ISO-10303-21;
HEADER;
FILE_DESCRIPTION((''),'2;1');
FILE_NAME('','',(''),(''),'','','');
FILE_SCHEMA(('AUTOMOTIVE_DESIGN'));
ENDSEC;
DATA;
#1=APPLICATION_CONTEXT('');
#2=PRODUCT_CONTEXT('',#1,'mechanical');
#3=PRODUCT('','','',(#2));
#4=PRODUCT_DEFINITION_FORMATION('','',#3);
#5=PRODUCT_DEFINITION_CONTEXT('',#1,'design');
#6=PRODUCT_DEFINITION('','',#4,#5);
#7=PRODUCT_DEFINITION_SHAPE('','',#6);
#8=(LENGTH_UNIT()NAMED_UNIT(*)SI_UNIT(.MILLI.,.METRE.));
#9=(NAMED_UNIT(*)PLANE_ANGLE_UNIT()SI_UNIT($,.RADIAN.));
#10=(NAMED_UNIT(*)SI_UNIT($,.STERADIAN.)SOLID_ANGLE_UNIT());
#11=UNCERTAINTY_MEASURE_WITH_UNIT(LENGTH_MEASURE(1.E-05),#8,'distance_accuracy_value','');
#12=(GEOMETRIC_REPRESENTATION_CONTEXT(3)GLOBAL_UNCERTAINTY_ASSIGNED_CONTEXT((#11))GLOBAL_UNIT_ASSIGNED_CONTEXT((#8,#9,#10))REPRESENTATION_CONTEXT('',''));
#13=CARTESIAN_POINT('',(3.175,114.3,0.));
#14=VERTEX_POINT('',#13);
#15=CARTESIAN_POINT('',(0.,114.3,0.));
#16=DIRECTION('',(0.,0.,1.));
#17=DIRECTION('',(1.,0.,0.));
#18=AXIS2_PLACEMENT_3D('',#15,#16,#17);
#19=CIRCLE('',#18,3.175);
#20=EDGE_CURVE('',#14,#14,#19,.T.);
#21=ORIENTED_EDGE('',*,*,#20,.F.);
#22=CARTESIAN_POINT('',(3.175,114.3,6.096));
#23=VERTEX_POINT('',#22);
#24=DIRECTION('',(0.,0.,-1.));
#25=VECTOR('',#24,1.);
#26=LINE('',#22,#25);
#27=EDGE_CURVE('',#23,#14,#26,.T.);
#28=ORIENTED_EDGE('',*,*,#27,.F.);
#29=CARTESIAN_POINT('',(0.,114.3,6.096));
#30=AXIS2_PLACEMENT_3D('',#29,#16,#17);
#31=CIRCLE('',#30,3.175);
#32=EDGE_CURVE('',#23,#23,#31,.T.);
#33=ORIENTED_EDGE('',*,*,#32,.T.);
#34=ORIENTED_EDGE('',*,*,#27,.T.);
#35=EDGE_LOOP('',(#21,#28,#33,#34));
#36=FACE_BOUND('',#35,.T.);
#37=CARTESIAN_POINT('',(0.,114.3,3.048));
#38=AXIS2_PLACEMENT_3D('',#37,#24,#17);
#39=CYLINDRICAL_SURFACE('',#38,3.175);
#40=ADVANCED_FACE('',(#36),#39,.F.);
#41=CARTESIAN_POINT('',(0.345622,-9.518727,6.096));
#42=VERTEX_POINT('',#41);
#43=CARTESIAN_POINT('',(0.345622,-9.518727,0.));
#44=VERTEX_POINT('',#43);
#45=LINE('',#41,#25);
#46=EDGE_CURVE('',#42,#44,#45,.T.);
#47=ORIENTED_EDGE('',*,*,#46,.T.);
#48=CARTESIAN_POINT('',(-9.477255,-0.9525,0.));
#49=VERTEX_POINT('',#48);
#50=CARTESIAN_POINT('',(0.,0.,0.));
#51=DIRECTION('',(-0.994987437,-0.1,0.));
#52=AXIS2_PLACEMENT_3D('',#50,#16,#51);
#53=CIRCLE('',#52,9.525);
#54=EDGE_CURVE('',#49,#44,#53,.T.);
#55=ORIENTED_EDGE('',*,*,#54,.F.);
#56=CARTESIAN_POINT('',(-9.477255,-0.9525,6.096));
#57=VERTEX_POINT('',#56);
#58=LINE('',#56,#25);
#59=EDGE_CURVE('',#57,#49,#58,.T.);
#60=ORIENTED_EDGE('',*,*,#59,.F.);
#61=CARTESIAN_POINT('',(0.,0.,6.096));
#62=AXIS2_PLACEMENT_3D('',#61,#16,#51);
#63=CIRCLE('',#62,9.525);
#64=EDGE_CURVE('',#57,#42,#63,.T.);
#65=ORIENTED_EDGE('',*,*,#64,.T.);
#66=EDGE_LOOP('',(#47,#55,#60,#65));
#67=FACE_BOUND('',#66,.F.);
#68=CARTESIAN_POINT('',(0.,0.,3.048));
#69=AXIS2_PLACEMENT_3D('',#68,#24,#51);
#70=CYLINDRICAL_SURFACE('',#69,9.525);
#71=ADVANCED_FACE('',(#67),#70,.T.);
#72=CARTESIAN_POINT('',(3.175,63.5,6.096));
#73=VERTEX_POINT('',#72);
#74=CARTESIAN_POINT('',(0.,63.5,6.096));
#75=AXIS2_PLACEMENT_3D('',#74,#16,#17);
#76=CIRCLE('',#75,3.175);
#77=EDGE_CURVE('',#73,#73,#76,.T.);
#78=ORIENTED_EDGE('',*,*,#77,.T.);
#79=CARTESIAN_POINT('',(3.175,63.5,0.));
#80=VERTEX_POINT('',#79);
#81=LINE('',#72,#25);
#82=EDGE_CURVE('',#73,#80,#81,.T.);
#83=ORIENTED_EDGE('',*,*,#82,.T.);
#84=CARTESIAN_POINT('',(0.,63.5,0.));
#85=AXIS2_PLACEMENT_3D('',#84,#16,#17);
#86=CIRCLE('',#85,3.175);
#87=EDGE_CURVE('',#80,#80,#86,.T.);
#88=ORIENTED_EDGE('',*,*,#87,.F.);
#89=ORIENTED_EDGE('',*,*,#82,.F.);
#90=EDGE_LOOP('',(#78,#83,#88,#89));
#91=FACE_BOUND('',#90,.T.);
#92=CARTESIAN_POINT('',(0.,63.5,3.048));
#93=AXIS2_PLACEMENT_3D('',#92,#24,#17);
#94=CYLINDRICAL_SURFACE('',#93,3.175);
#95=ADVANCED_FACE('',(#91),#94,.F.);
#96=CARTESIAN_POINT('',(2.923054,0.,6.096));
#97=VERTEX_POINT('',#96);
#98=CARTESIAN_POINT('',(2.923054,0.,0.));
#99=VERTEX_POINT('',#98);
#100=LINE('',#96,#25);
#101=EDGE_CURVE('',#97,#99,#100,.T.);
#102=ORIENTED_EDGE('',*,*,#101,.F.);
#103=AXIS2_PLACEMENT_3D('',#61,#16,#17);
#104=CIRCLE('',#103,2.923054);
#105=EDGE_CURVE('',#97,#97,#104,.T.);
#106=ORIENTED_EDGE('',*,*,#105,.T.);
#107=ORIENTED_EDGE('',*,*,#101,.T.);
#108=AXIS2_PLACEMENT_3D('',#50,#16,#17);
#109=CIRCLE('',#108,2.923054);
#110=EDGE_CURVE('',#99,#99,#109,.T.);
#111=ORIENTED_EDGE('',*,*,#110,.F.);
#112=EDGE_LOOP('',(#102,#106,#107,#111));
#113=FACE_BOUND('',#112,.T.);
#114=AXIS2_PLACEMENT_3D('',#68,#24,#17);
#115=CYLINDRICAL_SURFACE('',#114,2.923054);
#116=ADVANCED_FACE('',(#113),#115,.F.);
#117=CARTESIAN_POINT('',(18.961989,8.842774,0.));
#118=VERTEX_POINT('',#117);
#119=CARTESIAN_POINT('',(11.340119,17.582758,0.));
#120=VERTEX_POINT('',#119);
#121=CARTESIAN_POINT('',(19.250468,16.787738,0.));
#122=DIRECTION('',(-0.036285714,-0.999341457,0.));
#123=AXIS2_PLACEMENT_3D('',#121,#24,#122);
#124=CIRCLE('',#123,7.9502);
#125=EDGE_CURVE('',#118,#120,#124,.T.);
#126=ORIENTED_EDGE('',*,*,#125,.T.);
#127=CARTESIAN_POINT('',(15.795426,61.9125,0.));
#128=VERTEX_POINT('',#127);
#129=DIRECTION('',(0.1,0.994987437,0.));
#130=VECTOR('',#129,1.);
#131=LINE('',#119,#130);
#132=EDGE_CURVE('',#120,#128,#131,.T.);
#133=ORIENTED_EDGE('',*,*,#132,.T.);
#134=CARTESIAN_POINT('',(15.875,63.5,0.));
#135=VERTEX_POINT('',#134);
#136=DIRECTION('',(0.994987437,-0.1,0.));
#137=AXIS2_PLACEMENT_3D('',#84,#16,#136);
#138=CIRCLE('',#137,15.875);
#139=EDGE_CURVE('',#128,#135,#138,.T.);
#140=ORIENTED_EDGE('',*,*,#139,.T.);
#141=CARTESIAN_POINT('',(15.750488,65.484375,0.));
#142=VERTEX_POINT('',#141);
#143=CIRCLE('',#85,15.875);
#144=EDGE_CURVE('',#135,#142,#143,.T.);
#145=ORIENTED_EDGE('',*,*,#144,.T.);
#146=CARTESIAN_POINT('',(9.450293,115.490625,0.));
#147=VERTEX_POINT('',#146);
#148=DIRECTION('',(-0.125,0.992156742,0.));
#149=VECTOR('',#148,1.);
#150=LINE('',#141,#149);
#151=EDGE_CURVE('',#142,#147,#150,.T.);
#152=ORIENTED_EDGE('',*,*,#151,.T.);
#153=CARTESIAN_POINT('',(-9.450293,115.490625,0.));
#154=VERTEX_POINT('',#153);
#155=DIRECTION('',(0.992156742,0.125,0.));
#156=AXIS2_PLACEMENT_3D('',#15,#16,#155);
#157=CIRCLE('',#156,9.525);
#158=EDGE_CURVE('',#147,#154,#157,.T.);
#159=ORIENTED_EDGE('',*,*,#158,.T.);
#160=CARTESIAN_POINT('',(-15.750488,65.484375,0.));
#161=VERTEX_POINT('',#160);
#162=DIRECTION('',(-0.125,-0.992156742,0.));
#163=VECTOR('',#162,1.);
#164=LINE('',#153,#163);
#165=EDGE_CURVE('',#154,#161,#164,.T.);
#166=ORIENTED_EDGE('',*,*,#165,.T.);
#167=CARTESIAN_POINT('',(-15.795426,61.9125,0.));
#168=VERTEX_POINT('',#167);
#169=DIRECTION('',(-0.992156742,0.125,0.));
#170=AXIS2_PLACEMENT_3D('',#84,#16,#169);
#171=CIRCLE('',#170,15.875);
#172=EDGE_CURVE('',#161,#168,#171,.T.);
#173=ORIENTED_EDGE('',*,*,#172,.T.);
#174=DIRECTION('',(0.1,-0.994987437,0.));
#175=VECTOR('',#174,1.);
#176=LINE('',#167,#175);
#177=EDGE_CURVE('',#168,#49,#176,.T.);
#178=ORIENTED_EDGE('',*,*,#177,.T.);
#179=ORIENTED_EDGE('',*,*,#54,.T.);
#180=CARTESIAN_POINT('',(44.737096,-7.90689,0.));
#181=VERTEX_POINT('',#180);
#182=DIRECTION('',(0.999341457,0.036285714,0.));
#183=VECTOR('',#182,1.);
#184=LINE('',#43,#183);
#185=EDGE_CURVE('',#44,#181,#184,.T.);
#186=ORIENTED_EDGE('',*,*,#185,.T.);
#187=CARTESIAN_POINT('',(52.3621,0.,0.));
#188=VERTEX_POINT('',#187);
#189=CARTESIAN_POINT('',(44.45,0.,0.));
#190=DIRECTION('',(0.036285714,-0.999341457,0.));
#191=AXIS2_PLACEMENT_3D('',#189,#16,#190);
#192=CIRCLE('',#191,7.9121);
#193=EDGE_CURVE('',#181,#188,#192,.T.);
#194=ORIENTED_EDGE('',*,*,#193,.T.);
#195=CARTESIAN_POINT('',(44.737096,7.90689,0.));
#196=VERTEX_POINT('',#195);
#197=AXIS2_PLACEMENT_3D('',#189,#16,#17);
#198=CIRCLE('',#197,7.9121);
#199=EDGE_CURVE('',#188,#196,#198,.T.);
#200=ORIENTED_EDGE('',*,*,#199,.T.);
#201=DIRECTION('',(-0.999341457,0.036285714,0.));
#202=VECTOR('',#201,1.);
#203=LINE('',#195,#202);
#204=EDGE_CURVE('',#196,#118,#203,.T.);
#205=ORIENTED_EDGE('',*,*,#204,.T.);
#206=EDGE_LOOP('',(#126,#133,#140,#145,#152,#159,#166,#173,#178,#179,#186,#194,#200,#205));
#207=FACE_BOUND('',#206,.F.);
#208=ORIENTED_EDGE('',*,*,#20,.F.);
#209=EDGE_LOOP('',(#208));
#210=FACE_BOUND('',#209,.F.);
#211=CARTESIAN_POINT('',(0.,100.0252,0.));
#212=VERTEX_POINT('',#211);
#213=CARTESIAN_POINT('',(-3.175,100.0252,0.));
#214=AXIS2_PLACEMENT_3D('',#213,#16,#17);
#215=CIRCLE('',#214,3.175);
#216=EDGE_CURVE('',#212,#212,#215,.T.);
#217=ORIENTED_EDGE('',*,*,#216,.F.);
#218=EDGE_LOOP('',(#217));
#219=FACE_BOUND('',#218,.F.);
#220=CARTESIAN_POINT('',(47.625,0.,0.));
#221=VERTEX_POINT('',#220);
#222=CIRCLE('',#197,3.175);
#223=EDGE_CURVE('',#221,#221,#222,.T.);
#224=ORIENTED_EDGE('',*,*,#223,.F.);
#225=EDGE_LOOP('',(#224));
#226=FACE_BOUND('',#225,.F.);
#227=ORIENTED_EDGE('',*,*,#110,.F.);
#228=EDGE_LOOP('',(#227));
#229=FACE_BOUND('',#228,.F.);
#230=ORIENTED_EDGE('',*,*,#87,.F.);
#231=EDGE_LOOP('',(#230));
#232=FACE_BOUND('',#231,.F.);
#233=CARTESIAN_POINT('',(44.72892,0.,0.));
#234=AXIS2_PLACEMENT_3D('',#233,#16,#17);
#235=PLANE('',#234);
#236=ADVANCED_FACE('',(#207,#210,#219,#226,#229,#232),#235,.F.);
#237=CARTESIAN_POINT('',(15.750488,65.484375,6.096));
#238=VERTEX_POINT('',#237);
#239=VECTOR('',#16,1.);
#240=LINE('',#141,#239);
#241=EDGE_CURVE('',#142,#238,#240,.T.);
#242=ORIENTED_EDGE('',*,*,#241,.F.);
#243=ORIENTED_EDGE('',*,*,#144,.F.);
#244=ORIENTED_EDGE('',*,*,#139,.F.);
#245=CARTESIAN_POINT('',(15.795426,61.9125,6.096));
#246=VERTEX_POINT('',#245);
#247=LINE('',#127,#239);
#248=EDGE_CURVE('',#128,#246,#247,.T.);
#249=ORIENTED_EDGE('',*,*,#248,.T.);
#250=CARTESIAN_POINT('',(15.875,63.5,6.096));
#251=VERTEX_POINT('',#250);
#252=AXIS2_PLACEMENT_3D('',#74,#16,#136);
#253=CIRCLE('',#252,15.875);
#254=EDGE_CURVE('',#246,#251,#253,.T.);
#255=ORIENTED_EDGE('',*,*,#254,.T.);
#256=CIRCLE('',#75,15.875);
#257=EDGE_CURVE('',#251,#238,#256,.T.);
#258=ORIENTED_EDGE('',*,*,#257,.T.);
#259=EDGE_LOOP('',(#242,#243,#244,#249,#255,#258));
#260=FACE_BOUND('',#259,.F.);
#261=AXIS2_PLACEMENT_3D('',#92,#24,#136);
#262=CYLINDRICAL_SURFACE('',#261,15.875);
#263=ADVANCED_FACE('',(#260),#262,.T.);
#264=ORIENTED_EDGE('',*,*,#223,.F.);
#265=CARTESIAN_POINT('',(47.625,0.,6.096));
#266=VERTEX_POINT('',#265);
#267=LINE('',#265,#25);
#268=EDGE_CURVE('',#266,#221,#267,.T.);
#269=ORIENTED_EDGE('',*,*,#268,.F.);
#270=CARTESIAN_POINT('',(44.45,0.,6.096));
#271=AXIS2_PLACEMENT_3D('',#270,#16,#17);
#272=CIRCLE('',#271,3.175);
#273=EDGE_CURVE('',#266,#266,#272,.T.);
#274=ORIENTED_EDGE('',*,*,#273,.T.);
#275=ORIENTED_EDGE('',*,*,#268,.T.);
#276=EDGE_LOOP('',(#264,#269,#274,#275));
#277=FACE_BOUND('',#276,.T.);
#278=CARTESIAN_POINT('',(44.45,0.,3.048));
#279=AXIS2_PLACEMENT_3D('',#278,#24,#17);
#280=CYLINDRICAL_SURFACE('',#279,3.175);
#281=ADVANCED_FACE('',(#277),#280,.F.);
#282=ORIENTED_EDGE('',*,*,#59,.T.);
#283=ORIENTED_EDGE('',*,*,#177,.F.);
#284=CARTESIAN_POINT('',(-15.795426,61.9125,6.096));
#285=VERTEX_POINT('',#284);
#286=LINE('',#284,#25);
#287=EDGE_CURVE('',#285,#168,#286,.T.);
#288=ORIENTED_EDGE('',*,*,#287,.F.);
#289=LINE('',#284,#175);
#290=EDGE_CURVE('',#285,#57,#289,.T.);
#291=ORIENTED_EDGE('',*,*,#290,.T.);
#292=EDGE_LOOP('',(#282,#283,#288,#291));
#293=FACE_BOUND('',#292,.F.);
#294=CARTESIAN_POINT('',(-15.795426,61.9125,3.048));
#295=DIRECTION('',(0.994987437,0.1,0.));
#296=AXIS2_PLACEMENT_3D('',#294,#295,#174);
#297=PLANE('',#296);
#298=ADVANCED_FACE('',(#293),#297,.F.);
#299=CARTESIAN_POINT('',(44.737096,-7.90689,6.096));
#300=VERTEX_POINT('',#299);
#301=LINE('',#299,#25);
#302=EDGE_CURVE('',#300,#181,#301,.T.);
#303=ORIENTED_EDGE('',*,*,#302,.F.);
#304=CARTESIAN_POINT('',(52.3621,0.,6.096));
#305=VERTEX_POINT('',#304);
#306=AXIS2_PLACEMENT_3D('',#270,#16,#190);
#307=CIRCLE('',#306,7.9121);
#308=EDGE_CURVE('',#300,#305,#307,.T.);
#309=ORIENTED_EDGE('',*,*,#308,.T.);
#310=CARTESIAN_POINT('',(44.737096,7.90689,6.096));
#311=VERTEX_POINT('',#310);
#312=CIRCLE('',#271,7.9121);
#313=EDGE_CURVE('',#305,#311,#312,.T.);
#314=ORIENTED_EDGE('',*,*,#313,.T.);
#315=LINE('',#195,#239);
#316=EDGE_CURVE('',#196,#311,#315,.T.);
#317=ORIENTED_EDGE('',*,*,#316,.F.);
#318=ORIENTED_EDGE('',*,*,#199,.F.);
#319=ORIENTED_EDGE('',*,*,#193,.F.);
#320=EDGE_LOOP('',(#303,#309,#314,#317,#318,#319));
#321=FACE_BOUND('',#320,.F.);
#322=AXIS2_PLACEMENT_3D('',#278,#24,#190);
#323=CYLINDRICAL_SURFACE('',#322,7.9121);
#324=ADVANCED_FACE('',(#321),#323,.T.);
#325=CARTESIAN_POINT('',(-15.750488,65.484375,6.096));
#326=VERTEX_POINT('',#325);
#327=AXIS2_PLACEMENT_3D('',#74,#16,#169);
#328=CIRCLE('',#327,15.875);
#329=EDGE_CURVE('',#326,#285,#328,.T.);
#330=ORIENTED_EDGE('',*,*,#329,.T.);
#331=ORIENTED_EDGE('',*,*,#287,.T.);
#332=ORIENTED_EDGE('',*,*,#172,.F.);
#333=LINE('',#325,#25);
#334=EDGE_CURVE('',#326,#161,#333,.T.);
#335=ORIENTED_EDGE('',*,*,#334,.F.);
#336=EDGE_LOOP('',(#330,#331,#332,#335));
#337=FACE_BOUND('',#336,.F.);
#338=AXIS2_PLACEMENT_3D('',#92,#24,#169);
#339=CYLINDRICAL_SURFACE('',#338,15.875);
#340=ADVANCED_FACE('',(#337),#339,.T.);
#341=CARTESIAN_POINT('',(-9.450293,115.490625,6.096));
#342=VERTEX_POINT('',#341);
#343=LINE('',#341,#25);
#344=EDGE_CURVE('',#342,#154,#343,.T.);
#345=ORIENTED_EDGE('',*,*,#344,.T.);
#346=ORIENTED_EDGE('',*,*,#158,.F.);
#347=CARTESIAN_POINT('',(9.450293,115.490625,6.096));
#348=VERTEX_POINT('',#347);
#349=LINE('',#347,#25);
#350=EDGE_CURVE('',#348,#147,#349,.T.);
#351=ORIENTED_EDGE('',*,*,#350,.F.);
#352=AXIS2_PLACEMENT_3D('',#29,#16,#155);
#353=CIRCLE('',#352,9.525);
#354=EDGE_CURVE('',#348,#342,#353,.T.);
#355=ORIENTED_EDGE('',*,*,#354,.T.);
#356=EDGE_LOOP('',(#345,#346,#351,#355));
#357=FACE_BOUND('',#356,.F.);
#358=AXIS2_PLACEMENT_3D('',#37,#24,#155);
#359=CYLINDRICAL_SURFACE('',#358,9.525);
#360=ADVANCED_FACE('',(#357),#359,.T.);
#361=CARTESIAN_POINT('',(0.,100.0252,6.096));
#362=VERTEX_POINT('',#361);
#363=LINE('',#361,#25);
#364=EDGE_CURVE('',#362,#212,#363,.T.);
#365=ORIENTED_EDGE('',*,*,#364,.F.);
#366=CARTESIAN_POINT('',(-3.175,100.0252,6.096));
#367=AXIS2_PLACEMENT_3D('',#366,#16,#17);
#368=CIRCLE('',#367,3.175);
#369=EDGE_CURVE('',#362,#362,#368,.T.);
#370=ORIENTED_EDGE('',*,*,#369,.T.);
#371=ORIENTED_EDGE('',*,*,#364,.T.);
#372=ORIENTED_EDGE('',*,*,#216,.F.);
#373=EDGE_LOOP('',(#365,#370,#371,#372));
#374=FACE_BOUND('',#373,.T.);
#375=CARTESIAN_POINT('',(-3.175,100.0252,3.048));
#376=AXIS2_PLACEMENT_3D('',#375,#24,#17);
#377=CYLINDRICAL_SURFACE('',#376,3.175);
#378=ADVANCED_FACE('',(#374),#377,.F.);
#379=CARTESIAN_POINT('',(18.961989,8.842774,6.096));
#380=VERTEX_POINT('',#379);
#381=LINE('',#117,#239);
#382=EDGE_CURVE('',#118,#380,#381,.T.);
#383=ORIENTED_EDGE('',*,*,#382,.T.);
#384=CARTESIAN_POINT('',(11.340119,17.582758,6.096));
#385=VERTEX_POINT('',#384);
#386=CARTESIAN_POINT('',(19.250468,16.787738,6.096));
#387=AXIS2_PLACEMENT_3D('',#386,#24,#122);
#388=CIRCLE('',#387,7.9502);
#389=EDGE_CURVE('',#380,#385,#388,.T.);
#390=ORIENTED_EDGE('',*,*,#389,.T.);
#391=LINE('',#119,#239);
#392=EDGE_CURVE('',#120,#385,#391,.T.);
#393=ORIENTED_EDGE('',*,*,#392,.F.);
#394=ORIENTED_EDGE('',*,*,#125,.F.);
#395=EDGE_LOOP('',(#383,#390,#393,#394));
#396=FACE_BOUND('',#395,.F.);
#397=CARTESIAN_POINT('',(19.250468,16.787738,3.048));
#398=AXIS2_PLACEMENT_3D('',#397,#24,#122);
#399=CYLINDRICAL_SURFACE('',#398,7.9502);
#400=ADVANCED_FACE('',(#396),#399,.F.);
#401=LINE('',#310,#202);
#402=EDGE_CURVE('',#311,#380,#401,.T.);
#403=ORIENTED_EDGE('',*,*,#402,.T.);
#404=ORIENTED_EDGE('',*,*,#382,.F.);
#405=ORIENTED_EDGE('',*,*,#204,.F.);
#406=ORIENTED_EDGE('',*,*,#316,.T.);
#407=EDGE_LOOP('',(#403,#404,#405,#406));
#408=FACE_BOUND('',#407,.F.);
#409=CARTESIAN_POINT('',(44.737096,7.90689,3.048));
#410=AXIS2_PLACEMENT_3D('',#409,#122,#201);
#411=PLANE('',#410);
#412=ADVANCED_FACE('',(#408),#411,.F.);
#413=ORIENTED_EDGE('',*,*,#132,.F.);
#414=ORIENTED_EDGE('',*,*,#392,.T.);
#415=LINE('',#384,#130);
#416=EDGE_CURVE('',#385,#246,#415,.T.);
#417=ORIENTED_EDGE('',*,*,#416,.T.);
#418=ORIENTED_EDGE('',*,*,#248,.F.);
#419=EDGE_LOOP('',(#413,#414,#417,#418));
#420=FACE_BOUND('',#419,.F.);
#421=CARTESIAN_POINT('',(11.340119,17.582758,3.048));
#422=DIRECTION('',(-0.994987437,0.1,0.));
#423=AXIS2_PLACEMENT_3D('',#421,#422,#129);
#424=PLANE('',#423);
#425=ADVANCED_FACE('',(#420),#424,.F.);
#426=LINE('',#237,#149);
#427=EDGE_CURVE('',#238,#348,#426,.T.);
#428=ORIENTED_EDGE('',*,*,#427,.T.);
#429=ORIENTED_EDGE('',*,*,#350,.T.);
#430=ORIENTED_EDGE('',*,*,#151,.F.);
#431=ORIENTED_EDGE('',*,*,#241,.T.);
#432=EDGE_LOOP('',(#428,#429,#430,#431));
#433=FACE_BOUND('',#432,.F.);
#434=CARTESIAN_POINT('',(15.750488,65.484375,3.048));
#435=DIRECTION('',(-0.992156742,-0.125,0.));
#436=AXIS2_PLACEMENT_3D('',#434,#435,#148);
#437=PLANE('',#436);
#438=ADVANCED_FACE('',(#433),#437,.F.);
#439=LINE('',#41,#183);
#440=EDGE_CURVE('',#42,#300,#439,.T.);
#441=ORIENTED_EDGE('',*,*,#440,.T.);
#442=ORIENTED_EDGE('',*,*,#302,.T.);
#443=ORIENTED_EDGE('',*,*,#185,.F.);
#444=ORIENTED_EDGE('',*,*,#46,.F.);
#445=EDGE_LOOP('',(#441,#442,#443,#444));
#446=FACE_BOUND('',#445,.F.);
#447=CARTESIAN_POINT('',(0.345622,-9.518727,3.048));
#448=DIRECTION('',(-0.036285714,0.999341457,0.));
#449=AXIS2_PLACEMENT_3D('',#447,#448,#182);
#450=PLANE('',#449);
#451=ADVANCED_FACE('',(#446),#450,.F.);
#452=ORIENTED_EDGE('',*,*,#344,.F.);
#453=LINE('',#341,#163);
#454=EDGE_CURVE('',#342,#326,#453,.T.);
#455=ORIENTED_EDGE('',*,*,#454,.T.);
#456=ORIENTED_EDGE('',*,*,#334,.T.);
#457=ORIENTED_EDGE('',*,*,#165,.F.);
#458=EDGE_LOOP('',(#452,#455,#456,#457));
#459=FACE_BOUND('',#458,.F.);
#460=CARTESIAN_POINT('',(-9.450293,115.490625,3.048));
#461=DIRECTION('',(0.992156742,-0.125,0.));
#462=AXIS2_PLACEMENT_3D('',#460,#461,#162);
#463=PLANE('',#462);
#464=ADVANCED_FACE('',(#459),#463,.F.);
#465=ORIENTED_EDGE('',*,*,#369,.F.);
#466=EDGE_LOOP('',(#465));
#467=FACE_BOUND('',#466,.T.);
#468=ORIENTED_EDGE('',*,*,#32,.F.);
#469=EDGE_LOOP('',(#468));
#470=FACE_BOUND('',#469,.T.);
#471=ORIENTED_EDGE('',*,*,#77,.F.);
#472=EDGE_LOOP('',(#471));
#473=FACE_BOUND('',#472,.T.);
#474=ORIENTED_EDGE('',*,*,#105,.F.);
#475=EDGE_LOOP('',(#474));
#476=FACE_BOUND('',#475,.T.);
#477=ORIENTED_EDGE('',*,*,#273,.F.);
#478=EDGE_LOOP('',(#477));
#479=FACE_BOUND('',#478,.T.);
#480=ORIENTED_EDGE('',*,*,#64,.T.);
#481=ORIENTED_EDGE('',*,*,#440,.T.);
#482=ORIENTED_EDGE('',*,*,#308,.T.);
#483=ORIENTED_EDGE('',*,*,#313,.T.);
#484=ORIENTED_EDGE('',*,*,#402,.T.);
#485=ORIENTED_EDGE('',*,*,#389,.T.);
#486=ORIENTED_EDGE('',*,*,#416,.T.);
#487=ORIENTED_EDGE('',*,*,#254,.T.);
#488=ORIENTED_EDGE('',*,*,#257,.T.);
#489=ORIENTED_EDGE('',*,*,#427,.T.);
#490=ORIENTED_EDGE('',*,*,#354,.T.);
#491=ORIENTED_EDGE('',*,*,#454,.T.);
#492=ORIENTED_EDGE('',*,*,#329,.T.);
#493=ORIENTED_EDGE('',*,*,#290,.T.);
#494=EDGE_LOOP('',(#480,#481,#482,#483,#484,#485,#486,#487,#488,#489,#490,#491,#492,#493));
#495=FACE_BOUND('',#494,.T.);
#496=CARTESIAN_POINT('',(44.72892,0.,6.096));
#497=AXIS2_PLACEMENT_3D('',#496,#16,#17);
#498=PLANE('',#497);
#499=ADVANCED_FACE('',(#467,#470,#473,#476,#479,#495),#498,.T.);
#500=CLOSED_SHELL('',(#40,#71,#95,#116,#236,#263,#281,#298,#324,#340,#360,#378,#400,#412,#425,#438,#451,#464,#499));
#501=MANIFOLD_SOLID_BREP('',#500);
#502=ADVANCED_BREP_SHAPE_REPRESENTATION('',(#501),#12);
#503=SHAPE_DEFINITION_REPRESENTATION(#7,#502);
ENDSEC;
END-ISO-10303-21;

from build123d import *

# Parameters (mm, degrees)
F0_R     = 3.175
F0_R_2   = 2.9230539493
F1_DEPTH = 3.048
F2_DEPTH = 3.048


with BuildPart() as f1:
    # F0 (on Top) → F1 (new body)
    with BuildSketch(Plane.XY):
        with BuildLine():
            ThreePointArc((44.7370962, -7.906889539), (50.1452989497, -5.4922578493), (52.3621, 0))
            ThreePointArc((52.3621, 0), (50.1452989497, 5.4922578493), (44.7370962, 7.906889539))
            ThreePointArc((44.7370962, 7.906889539), (36.5379, 0), (44.7370962, -7.906889539))
        make_face()
        with Locations((44.45, 0)):
            Circle(F0_R, mode=Mode.SUBTRACT)
        with BuildLine():
            ThreePointArc((44.7370962, -7.906889539), (36.5379, 0), (44.7370962, 7.906889539))
            Line((44.7370962, 7.906889539), (18.9619893431, 8.8427740226))
            ThreePointArc((18.9619893431, 8.8427740226), (13.2586380582, 11.5624486569), (11.3401189063, 17.5827584711))
            Line((11.3401189063, 17.5827584711), (15.7954255641, 61.9125))
            ThreePointArc((15.7954255641, 61.9125), (0, 47.625), (-15.7954255641, 61.9125))
            Line((-15.7954255641, 61.9125), (-9.4772553384, -0.9525))
            ThreePointArc((-9.4772553384, -0.9525), (-0.4768479324, 9.5130563464), (9.525, 0))
            ThreePointArc((9.525, 0), (6.8562989262, -6.6118673637), (0.345621515, -9.5187273713))
            Line((0.345621515, -9.5187273713), (44.7370962, -7.906889539))
        make_face()
        with BuildLine():
            ThreePointArc((-9.4772553384, -0.9525), (-6.2603312145, -7.1787100571), (0.345621515, -9.5187273713))
            ThreePointArc((0.345621515, -9.5187273713), (6.8562989262, -6.6118673637), (9.525, 0))
            ThreePointArc((9.525, 0), (-0.4768479324, 9.5130563464), (-9.4772553384, -0.9525))
        make_face()
        Circle(F0_R_2, mode=Mode.SUBTRACT)
        with BuildLine():
            ThreePointArc((-15.7954255641, 61.9125), (0, 47.625), (15.7954255641, 61.9125))
            ThreePointArc((15.7954255641, 61.9125), (15.8550939106, 62.7052534459), (15.875, 63.5))
            ThreePointArc((15.875, 63.5), (15.8438414904, 64.4941387366), (15.7504882737, 65.484375))
            ThreePointArc((15.7504882737, 65.484375), (0, 79.375), (-15.7504882737, 65.484375))
            ThreePointArc((-15.7504882737, 65.484375), (-15.8737438155, 63.6997054867), (-15.7954255641, 61.9125))
        make_face()
        with Locations((0, 63.5)):
            Circle(F0_R, mode=Mode.SUBTRACT)
        with BuildLine():
            Line((-9.4502929642, 115.490625), (-15.7504882737, 65.484375))
            ThreePointArc((-15.7504882737, 65.484375), (0, 79.375), (15.7504882737, 65.484375))
            Line((15.7504882737, 65.484375), (9.4502929642, 115.490625))
            ThreePointArc((9.4502929642, 115.490625), (9.5063048942, 114.896483242), (9.525, 114.3))
            ThreePointArc((9.525, 114.3), (-0.596483242, 104.7936951058), (-9.4502929642, 115.490625))
        make_face()
        with Locations((-3.175, 100.0252)):
            Circle(F0_R, mode=Mode.SUBTRACT)
        with BuildLine():
            ThreePointArc((9.4502929642, 115.490625), (0, 123.825), (-9.4502929642, 115.490625))
            ThreePointArc((-9.4502929642, 115.490625), (-0.596483242, 104.7936951058), (9.525, 114.3))
            ThreePointArc((9.525, 114.3), (9.5063048942, 114.896483242), (9.4502929642, 115.490625))
        make_face()
        with Locations((0, 114.3)):
            Circle(F0_R, mode=Mode.SUBTRACT)
    extrude(amount=F1_DEPTH)

    # F2 (add): a face of the model
    f2_faces = [f1.faces().sort_by_distance(p)[0] for p in [
        (5.1733106321, 46.623199293, 3.048),
    ]]
    extrude(f2_faces, amount=F2_DEPTH)


solid = f1.part
